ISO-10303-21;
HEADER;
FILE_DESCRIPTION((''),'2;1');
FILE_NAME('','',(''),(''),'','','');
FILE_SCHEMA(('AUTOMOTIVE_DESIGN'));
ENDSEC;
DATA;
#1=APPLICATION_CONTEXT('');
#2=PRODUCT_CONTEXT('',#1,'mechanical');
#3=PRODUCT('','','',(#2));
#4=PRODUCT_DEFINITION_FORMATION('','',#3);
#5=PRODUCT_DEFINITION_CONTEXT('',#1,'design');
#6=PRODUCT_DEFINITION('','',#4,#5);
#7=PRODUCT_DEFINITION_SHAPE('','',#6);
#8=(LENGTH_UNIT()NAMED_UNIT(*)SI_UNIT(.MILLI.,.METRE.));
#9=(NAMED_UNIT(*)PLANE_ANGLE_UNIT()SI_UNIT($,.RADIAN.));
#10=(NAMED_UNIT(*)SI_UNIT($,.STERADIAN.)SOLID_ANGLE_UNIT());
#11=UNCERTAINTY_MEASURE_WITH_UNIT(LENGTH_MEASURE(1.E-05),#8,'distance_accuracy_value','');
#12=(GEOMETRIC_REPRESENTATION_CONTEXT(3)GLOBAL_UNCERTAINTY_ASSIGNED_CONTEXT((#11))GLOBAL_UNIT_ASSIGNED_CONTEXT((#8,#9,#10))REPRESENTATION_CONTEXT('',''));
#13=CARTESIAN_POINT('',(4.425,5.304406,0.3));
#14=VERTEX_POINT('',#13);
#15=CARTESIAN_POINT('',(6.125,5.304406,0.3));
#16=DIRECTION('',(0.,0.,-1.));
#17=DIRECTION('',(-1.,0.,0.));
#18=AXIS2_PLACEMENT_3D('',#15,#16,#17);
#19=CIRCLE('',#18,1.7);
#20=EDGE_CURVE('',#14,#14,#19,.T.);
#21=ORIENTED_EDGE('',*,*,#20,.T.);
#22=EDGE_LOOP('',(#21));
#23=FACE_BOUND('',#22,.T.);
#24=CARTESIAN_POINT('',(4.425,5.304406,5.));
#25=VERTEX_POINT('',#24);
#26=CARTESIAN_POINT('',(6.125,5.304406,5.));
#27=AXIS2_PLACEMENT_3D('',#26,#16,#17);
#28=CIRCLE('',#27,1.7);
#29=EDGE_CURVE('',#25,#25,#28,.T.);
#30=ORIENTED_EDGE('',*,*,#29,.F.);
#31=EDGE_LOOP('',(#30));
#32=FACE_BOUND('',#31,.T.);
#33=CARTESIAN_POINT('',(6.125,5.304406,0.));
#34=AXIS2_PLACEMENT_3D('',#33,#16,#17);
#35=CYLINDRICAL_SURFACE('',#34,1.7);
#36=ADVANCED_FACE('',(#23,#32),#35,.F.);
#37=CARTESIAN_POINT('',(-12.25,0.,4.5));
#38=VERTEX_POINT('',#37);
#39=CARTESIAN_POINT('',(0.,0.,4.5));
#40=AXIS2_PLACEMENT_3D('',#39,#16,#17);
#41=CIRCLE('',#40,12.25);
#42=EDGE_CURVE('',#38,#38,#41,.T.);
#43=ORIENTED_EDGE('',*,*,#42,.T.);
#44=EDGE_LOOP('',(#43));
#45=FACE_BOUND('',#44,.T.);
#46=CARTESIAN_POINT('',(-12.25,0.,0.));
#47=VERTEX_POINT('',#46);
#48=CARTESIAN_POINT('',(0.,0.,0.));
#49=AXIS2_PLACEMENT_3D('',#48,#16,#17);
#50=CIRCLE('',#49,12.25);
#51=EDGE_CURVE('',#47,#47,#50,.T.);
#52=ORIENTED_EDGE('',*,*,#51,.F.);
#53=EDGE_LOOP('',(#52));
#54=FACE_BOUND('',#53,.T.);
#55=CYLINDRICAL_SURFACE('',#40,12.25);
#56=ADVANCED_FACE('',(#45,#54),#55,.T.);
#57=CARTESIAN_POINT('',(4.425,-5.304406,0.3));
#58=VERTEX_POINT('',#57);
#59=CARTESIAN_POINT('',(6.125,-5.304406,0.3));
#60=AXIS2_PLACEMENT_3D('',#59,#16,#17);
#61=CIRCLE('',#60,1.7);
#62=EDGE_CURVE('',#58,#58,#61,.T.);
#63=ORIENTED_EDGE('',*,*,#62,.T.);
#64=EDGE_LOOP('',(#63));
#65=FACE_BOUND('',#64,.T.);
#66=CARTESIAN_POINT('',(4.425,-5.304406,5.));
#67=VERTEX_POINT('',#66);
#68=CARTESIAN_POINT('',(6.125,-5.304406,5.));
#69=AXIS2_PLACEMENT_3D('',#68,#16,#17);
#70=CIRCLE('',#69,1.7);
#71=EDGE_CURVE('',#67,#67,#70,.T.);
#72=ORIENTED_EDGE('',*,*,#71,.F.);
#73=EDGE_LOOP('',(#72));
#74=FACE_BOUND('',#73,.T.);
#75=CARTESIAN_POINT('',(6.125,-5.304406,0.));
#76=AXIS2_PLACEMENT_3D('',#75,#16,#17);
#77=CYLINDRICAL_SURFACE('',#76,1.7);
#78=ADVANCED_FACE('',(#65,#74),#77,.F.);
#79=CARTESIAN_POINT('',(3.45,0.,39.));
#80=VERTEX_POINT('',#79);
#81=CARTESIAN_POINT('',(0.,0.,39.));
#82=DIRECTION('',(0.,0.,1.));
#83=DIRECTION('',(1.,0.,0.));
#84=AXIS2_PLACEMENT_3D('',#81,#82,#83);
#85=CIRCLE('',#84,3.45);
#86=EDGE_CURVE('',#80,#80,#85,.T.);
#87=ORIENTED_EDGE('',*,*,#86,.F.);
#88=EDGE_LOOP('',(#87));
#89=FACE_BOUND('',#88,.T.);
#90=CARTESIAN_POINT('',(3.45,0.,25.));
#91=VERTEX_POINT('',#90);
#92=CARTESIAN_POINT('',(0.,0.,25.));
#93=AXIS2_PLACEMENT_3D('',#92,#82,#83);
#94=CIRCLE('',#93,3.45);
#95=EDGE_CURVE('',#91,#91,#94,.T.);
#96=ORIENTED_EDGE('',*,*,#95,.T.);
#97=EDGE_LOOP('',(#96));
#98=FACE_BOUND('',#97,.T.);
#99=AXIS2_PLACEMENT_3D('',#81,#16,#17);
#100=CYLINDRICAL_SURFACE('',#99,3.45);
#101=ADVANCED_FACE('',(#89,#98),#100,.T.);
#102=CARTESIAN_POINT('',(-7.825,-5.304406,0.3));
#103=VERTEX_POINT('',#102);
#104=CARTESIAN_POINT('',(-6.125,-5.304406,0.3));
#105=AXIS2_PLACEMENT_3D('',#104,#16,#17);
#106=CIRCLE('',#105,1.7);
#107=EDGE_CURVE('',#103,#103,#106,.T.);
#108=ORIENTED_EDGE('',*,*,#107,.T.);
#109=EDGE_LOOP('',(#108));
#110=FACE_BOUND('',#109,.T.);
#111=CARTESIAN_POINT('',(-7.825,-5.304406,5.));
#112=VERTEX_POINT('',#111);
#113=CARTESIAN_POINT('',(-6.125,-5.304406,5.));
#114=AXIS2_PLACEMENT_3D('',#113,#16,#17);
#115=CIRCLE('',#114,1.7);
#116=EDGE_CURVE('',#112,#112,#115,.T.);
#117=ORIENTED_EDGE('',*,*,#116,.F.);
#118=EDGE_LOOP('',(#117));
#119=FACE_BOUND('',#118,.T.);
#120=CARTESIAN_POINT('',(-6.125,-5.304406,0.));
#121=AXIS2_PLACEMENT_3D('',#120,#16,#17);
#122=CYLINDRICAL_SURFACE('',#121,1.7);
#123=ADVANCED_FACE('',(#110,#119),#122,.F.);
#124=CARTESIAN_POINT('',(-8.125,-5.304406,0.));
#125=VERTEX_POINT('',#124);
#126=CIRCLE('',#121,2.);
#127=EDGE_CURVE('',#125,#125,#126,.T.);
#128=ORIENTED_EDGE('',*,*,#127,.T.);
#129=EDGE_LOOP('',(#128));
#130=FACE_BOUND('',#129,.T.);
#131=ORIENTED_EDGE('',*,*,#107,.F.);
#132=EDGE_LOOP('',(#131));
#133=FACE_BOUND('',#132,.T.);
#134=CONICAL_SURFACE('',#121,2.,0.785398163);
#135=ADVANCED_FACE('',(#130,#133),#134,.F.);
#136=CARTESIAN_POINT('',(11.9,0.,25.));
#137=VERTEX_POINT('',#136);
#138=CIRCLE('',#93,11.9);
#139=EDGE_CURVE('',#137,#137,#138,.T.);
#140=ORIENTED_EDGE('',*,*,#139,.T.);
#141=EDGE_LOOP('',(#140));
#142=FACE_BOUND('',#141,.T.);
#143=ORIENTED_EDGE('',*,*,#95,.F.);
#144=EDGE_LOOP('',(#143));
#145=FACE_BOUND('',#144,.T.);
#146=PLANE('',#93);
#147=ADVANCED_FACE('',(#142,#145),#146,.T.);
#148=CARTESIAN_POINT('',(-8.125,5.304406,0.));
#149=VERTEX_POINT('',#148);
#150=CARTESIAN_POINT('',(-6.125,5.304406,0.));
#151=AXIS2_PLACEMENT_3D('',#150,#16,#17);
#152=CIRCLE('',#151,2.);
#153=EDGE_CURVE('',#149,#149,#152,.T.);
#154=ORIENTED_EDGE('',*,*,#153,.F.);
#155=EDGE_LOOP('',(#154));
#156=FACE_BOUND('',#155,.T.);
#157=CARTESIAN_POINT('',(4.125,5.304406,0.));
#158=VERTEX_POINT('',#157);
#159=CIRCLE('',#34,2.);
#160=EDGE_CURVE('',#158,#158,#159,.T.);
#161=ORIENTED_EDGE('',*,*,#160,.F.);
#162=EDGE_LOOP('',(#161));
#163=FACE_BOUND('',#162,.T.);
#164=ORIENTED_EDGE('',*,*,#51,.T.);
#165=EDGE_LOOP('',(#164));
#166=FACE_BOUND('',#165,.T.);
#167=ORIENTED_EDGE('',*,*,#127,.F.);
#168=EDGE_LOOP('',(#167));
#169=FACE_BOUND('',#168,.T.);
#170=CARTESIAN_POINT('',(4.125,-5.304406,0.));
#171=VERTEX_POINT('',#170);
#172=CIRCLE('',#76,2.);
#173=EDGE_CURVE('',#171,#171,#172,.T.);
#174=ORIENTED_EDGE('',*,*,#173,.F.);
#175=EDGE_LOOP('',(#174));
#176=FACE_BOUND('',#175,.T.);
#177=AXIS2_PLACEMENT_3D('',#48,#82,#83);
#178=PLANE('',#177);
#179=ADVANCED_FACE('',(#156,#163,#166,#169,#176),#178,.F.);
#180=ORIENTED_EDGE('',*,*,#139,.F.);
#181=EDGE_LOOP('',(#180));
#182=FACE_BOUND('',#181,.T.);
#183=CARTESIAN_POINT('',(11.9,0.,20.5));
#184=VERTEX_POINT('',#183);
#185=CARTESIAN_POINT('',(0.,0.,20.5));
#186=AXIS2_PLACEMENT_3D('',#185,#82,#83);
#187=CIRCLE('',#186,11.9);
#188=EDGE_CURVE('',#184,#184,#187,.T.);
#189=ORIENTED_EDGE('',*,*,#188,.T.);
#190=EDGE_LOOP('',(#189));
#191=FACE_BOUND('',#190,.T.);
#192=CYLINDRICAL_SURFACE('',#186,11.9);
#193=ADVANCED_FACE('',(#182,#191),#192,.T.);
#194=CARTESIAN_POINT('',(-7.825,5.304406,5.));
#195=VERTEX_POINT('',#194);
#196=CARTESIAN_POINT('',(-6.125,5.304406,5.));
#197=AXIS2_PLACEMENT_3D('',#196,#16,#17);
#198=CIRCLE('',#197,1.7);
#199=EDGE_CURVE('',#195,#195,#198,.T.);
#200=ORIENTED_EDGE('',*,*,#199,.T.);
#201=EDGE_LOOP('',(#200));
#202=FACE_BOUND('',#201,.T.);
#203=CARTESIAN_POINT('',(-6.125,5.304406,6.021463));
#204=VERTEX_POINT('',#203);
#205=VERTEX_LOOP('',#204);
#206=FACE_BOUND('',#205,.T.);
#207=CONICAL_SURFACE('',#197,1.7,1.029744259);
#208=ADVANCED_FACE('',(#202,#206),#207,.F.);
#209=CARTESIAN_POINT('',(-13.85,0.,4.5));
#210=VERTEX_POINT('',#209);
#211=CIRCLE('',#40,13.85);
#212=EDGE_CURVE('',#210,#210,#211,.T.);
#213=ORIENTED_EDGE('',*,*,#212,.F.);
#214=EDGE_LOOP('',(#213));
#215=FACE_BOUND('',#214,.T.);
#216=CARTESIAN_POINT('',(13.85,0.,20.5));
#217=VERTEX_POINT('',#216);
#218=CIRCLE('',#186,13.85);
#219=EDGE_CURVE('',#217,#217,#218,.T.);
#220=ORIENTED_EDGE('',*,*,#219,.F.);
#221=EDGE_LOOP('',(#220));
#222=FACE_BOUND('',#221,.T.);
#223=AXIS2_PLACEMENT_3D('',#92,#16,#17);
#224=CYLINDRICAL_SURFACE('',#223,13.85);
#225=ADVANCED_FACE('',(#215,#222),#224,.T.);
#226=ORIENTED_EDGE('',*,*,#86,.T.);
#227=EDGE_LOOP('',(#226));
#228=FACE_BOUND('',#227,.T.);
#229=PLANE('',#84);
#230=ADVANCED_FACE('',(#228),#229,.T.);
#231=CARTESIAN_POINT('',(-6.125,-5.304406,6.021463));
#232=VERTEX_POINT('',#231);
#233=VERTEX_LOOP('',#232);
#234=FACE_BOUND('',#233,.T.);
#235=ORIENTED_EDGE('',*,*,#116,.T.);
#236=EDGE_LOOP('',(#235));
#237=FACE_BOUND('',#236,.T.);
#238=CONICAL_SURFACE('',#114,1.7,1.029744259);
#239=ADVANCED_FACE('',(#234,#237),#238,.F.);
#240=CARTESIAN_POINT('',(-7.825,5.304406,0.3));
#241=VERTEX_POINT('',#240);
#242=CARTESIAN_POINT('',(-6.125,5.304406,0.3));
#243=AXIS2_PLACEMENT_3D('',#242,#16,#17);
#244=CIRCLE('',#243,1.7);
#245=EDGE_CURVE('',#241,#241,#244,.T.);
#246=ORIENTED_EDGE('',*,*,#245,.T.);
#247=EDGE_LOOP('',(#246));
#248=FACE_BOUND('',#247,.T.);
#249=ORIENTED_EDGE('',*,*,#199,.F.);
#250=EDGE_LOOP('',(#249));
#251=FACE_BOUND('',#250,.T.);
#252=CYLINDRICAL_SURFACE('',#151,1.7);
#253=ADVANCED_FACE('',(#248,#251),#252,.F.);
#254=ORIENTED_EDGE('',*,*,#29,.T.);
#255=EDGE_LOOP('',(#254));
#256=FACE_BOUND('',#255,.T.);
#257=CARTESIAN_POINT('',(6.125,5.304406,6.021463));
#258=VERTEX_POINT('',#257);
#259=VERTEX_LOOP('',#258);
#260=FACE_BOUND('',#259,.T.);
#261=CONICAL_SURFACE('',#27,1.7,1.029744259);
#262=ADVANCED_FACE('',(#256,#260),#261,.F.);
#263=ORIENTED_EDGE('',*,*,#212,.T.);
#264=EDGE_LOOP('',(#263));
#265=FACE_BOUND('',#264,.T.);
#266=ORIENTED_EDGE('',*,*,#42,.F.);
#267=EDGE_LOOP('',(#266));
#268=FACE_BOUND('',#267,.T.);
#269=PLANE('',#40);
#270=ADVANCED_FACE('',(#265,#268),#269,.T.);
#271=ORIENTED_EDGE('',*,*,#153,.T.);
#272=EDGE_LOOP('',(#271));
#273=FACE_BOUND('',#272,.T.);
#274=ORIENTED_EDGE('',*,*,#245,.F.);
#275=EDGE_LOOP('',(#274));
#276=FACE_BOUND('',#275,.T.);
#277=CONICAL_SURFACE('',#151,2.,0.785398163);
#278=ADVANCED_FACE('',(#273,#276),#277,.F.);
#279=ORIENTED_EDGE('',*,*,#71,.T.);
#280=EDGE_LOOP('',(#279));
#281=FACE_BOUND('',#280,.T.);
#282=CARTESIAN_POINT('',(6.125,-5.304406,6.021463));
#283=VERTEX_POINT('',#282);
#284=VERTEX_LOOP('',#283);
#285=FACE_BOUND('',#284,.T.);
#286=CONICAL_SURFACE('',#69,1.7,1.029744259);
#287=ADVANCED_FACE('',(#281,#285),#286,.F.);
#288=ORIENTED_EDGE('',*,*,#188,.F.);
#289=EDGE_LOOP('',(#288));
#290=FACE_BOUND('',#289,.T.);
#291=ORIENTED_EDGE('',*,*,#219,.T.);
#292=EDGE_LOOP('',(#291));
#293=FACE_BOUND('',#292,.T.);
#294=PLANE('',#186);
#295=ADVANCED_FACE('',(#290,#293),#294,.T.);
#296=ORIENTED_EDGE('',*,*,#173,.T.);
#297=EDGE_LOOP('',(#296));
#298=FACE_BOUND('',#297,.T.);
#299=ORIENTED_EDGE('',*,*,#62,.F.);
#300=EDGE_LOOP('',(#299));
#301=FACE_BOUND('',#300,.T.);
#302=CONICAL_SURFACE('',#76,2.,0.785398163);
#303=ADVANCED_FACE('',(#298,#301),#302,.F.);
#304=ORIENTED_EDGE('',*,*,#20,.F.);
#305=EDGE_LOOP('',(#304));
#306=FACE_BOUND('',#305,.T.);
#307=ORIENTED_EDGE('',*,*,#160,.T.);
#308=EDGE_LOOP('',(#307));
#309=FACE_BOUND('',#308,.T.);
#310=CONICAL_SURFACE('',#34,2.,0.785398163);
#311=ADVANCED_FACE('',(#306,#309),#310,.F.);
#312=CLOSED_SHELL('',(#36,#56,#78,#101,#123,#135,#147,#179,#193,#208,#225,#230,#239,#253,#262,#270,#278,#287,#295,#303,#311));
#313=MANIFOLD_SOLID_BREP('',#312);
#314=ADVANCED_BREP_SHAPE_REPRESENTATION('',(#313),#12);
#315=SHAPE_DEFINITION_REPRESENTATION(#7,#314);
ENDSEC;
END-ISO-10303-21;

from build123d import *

# Parameters (mm, degrees)
SKETCH1_R                                       = 13.85
BOSS_EXTRUDE1_DEPTH                             = 25
SKETCH2_OUTSIDE_W                               = 38.994
SKETCH2_OUTSIDE_H                               = 38.994
SKETCH2_OUTSIDE_R                               = 11.9
CUT_EXTRUDE3_DEPTH                              = 4.5
SKETCH6_OUTSIDE_W                               = 38.994
SKETCH6_OUTSIDE_H                               = 38.994
SKETCH6_OUTSIDE_R                               = 12.25
CUT_EXTRUDE5_DEPTH                              = 4.5
SKETCH7_R                                       = 3.45
BOSS_EXTRUDE2_DEPTH                             = 14
CSK_FOR_M3_OVAL_HEAD_MACHINE_SCREW2_D           = 3.4
CSK_FOR_M3_OVAL_HEAD_MACHINE_SCREW2_DEPTH       = 5
CSK_FOR_M3_OVAL_HEAD_MACHINE_SCREW2_CSINK_D     = 4
CSK_FOR_M3_OVAL_HEAD_MACHINE_SCREW2_CSINK_ANGLE = 90
CSK_FOR_M3_OVAL_HEAD_MACHINE_SCREW2_TIP         = 1.021463052


with BuildPart() as part:
    # Sketch1 → Boss-Extrude1 (new body)
    with BuildSketch(Plane.XY):
        Circle(SKETCH1_R)
    extrude(amount=BOSS_EXTRUDE1_DEPTH)

    # Sketch2 outside → Cut-Extrude3 (cut)
    with BuildSketch(Plane.XY.offset(25)):
        Rectangle(SKETCH2_OUTSIDE_W, SKETCH2_OUTSIDE_H)
        Circle(SKETCH2_OUTSIDE_R, mode=Mode.SUBTRACT)
    extrude(amount=-CUT_EXTRUDE3_DEPTH, mode=Mode.SUBTRACT)

    # Sketch6 outside → Cut-Extrude5 (cut)
    with BuildSketch(Plane(origin=(0, 0, 0), x_dir=(-1, 0, 0), z_dir=(0, 0, -1))):
        Rectangle(SKETCH6_OUTSIDE_W, SKETCH6_OUTSIDE_H)
        Circle(SKETCH6_OUTSIDE_R, mode=Mode.SUBTRACT)
    extrude(amount=-CUT_EXTRUDE5_DEPTH, mode=Mode.SUBTRACT)

    # Sketch7 → Boss-Extrude2 (add)
    with BuildSketch(Plane.XY.offset(25)):
        Circle(SKETCH7_R)
    extrude(amount=BOSS_EXTRUDE2_DEPTH)

    # CSK for M3 Oval Head Machine Screw2
    with Locations(Plane(origin=(0, 0, 0), x_dir=(-1, 0, 0), z_dir=(0, 0, -1))):
        with Locations((-6.125, 5.304405598), (6.125, 5.304405598), (6.125, -5.304405598), (-6.125, -5.304405598)):
            CounterSinkHole(CSK_FOR_M3_OVAL_HEAD_MACHINE_SCREW2_D / 2, CSK_FOR_M3_OVAL_HEAD_MACHINE_SCREW2_CSINK_D / 2, depth=CSK_FOR_M3_OVAL_HEAD_MACHINE_SCREW2_DEPTH, counter_sink_angle=CSK_FOR_M3_OVAL_HEAD_MACHINE_SCREW2_CSINK_ANGLE)
            with Locations((0, 0, -(CSK_FOR_M3_OVAL_HEAD_MACHINE_SCREW2_DEPTH + CSK_FOR_M3_OVAL_HEAD_MACHINE_SCREW2_TIP / 2))):  # 118° drill point
                Cone(0, CSK_FOR_M3_OVAL_HEAD_MACHINE_SCREW2_D / 2, CSK_FOR_M3_OVAL_HEAD_MACHINE_SCREW2_TIP, mode=Mode.SUBTRACT)


solid = part.part
